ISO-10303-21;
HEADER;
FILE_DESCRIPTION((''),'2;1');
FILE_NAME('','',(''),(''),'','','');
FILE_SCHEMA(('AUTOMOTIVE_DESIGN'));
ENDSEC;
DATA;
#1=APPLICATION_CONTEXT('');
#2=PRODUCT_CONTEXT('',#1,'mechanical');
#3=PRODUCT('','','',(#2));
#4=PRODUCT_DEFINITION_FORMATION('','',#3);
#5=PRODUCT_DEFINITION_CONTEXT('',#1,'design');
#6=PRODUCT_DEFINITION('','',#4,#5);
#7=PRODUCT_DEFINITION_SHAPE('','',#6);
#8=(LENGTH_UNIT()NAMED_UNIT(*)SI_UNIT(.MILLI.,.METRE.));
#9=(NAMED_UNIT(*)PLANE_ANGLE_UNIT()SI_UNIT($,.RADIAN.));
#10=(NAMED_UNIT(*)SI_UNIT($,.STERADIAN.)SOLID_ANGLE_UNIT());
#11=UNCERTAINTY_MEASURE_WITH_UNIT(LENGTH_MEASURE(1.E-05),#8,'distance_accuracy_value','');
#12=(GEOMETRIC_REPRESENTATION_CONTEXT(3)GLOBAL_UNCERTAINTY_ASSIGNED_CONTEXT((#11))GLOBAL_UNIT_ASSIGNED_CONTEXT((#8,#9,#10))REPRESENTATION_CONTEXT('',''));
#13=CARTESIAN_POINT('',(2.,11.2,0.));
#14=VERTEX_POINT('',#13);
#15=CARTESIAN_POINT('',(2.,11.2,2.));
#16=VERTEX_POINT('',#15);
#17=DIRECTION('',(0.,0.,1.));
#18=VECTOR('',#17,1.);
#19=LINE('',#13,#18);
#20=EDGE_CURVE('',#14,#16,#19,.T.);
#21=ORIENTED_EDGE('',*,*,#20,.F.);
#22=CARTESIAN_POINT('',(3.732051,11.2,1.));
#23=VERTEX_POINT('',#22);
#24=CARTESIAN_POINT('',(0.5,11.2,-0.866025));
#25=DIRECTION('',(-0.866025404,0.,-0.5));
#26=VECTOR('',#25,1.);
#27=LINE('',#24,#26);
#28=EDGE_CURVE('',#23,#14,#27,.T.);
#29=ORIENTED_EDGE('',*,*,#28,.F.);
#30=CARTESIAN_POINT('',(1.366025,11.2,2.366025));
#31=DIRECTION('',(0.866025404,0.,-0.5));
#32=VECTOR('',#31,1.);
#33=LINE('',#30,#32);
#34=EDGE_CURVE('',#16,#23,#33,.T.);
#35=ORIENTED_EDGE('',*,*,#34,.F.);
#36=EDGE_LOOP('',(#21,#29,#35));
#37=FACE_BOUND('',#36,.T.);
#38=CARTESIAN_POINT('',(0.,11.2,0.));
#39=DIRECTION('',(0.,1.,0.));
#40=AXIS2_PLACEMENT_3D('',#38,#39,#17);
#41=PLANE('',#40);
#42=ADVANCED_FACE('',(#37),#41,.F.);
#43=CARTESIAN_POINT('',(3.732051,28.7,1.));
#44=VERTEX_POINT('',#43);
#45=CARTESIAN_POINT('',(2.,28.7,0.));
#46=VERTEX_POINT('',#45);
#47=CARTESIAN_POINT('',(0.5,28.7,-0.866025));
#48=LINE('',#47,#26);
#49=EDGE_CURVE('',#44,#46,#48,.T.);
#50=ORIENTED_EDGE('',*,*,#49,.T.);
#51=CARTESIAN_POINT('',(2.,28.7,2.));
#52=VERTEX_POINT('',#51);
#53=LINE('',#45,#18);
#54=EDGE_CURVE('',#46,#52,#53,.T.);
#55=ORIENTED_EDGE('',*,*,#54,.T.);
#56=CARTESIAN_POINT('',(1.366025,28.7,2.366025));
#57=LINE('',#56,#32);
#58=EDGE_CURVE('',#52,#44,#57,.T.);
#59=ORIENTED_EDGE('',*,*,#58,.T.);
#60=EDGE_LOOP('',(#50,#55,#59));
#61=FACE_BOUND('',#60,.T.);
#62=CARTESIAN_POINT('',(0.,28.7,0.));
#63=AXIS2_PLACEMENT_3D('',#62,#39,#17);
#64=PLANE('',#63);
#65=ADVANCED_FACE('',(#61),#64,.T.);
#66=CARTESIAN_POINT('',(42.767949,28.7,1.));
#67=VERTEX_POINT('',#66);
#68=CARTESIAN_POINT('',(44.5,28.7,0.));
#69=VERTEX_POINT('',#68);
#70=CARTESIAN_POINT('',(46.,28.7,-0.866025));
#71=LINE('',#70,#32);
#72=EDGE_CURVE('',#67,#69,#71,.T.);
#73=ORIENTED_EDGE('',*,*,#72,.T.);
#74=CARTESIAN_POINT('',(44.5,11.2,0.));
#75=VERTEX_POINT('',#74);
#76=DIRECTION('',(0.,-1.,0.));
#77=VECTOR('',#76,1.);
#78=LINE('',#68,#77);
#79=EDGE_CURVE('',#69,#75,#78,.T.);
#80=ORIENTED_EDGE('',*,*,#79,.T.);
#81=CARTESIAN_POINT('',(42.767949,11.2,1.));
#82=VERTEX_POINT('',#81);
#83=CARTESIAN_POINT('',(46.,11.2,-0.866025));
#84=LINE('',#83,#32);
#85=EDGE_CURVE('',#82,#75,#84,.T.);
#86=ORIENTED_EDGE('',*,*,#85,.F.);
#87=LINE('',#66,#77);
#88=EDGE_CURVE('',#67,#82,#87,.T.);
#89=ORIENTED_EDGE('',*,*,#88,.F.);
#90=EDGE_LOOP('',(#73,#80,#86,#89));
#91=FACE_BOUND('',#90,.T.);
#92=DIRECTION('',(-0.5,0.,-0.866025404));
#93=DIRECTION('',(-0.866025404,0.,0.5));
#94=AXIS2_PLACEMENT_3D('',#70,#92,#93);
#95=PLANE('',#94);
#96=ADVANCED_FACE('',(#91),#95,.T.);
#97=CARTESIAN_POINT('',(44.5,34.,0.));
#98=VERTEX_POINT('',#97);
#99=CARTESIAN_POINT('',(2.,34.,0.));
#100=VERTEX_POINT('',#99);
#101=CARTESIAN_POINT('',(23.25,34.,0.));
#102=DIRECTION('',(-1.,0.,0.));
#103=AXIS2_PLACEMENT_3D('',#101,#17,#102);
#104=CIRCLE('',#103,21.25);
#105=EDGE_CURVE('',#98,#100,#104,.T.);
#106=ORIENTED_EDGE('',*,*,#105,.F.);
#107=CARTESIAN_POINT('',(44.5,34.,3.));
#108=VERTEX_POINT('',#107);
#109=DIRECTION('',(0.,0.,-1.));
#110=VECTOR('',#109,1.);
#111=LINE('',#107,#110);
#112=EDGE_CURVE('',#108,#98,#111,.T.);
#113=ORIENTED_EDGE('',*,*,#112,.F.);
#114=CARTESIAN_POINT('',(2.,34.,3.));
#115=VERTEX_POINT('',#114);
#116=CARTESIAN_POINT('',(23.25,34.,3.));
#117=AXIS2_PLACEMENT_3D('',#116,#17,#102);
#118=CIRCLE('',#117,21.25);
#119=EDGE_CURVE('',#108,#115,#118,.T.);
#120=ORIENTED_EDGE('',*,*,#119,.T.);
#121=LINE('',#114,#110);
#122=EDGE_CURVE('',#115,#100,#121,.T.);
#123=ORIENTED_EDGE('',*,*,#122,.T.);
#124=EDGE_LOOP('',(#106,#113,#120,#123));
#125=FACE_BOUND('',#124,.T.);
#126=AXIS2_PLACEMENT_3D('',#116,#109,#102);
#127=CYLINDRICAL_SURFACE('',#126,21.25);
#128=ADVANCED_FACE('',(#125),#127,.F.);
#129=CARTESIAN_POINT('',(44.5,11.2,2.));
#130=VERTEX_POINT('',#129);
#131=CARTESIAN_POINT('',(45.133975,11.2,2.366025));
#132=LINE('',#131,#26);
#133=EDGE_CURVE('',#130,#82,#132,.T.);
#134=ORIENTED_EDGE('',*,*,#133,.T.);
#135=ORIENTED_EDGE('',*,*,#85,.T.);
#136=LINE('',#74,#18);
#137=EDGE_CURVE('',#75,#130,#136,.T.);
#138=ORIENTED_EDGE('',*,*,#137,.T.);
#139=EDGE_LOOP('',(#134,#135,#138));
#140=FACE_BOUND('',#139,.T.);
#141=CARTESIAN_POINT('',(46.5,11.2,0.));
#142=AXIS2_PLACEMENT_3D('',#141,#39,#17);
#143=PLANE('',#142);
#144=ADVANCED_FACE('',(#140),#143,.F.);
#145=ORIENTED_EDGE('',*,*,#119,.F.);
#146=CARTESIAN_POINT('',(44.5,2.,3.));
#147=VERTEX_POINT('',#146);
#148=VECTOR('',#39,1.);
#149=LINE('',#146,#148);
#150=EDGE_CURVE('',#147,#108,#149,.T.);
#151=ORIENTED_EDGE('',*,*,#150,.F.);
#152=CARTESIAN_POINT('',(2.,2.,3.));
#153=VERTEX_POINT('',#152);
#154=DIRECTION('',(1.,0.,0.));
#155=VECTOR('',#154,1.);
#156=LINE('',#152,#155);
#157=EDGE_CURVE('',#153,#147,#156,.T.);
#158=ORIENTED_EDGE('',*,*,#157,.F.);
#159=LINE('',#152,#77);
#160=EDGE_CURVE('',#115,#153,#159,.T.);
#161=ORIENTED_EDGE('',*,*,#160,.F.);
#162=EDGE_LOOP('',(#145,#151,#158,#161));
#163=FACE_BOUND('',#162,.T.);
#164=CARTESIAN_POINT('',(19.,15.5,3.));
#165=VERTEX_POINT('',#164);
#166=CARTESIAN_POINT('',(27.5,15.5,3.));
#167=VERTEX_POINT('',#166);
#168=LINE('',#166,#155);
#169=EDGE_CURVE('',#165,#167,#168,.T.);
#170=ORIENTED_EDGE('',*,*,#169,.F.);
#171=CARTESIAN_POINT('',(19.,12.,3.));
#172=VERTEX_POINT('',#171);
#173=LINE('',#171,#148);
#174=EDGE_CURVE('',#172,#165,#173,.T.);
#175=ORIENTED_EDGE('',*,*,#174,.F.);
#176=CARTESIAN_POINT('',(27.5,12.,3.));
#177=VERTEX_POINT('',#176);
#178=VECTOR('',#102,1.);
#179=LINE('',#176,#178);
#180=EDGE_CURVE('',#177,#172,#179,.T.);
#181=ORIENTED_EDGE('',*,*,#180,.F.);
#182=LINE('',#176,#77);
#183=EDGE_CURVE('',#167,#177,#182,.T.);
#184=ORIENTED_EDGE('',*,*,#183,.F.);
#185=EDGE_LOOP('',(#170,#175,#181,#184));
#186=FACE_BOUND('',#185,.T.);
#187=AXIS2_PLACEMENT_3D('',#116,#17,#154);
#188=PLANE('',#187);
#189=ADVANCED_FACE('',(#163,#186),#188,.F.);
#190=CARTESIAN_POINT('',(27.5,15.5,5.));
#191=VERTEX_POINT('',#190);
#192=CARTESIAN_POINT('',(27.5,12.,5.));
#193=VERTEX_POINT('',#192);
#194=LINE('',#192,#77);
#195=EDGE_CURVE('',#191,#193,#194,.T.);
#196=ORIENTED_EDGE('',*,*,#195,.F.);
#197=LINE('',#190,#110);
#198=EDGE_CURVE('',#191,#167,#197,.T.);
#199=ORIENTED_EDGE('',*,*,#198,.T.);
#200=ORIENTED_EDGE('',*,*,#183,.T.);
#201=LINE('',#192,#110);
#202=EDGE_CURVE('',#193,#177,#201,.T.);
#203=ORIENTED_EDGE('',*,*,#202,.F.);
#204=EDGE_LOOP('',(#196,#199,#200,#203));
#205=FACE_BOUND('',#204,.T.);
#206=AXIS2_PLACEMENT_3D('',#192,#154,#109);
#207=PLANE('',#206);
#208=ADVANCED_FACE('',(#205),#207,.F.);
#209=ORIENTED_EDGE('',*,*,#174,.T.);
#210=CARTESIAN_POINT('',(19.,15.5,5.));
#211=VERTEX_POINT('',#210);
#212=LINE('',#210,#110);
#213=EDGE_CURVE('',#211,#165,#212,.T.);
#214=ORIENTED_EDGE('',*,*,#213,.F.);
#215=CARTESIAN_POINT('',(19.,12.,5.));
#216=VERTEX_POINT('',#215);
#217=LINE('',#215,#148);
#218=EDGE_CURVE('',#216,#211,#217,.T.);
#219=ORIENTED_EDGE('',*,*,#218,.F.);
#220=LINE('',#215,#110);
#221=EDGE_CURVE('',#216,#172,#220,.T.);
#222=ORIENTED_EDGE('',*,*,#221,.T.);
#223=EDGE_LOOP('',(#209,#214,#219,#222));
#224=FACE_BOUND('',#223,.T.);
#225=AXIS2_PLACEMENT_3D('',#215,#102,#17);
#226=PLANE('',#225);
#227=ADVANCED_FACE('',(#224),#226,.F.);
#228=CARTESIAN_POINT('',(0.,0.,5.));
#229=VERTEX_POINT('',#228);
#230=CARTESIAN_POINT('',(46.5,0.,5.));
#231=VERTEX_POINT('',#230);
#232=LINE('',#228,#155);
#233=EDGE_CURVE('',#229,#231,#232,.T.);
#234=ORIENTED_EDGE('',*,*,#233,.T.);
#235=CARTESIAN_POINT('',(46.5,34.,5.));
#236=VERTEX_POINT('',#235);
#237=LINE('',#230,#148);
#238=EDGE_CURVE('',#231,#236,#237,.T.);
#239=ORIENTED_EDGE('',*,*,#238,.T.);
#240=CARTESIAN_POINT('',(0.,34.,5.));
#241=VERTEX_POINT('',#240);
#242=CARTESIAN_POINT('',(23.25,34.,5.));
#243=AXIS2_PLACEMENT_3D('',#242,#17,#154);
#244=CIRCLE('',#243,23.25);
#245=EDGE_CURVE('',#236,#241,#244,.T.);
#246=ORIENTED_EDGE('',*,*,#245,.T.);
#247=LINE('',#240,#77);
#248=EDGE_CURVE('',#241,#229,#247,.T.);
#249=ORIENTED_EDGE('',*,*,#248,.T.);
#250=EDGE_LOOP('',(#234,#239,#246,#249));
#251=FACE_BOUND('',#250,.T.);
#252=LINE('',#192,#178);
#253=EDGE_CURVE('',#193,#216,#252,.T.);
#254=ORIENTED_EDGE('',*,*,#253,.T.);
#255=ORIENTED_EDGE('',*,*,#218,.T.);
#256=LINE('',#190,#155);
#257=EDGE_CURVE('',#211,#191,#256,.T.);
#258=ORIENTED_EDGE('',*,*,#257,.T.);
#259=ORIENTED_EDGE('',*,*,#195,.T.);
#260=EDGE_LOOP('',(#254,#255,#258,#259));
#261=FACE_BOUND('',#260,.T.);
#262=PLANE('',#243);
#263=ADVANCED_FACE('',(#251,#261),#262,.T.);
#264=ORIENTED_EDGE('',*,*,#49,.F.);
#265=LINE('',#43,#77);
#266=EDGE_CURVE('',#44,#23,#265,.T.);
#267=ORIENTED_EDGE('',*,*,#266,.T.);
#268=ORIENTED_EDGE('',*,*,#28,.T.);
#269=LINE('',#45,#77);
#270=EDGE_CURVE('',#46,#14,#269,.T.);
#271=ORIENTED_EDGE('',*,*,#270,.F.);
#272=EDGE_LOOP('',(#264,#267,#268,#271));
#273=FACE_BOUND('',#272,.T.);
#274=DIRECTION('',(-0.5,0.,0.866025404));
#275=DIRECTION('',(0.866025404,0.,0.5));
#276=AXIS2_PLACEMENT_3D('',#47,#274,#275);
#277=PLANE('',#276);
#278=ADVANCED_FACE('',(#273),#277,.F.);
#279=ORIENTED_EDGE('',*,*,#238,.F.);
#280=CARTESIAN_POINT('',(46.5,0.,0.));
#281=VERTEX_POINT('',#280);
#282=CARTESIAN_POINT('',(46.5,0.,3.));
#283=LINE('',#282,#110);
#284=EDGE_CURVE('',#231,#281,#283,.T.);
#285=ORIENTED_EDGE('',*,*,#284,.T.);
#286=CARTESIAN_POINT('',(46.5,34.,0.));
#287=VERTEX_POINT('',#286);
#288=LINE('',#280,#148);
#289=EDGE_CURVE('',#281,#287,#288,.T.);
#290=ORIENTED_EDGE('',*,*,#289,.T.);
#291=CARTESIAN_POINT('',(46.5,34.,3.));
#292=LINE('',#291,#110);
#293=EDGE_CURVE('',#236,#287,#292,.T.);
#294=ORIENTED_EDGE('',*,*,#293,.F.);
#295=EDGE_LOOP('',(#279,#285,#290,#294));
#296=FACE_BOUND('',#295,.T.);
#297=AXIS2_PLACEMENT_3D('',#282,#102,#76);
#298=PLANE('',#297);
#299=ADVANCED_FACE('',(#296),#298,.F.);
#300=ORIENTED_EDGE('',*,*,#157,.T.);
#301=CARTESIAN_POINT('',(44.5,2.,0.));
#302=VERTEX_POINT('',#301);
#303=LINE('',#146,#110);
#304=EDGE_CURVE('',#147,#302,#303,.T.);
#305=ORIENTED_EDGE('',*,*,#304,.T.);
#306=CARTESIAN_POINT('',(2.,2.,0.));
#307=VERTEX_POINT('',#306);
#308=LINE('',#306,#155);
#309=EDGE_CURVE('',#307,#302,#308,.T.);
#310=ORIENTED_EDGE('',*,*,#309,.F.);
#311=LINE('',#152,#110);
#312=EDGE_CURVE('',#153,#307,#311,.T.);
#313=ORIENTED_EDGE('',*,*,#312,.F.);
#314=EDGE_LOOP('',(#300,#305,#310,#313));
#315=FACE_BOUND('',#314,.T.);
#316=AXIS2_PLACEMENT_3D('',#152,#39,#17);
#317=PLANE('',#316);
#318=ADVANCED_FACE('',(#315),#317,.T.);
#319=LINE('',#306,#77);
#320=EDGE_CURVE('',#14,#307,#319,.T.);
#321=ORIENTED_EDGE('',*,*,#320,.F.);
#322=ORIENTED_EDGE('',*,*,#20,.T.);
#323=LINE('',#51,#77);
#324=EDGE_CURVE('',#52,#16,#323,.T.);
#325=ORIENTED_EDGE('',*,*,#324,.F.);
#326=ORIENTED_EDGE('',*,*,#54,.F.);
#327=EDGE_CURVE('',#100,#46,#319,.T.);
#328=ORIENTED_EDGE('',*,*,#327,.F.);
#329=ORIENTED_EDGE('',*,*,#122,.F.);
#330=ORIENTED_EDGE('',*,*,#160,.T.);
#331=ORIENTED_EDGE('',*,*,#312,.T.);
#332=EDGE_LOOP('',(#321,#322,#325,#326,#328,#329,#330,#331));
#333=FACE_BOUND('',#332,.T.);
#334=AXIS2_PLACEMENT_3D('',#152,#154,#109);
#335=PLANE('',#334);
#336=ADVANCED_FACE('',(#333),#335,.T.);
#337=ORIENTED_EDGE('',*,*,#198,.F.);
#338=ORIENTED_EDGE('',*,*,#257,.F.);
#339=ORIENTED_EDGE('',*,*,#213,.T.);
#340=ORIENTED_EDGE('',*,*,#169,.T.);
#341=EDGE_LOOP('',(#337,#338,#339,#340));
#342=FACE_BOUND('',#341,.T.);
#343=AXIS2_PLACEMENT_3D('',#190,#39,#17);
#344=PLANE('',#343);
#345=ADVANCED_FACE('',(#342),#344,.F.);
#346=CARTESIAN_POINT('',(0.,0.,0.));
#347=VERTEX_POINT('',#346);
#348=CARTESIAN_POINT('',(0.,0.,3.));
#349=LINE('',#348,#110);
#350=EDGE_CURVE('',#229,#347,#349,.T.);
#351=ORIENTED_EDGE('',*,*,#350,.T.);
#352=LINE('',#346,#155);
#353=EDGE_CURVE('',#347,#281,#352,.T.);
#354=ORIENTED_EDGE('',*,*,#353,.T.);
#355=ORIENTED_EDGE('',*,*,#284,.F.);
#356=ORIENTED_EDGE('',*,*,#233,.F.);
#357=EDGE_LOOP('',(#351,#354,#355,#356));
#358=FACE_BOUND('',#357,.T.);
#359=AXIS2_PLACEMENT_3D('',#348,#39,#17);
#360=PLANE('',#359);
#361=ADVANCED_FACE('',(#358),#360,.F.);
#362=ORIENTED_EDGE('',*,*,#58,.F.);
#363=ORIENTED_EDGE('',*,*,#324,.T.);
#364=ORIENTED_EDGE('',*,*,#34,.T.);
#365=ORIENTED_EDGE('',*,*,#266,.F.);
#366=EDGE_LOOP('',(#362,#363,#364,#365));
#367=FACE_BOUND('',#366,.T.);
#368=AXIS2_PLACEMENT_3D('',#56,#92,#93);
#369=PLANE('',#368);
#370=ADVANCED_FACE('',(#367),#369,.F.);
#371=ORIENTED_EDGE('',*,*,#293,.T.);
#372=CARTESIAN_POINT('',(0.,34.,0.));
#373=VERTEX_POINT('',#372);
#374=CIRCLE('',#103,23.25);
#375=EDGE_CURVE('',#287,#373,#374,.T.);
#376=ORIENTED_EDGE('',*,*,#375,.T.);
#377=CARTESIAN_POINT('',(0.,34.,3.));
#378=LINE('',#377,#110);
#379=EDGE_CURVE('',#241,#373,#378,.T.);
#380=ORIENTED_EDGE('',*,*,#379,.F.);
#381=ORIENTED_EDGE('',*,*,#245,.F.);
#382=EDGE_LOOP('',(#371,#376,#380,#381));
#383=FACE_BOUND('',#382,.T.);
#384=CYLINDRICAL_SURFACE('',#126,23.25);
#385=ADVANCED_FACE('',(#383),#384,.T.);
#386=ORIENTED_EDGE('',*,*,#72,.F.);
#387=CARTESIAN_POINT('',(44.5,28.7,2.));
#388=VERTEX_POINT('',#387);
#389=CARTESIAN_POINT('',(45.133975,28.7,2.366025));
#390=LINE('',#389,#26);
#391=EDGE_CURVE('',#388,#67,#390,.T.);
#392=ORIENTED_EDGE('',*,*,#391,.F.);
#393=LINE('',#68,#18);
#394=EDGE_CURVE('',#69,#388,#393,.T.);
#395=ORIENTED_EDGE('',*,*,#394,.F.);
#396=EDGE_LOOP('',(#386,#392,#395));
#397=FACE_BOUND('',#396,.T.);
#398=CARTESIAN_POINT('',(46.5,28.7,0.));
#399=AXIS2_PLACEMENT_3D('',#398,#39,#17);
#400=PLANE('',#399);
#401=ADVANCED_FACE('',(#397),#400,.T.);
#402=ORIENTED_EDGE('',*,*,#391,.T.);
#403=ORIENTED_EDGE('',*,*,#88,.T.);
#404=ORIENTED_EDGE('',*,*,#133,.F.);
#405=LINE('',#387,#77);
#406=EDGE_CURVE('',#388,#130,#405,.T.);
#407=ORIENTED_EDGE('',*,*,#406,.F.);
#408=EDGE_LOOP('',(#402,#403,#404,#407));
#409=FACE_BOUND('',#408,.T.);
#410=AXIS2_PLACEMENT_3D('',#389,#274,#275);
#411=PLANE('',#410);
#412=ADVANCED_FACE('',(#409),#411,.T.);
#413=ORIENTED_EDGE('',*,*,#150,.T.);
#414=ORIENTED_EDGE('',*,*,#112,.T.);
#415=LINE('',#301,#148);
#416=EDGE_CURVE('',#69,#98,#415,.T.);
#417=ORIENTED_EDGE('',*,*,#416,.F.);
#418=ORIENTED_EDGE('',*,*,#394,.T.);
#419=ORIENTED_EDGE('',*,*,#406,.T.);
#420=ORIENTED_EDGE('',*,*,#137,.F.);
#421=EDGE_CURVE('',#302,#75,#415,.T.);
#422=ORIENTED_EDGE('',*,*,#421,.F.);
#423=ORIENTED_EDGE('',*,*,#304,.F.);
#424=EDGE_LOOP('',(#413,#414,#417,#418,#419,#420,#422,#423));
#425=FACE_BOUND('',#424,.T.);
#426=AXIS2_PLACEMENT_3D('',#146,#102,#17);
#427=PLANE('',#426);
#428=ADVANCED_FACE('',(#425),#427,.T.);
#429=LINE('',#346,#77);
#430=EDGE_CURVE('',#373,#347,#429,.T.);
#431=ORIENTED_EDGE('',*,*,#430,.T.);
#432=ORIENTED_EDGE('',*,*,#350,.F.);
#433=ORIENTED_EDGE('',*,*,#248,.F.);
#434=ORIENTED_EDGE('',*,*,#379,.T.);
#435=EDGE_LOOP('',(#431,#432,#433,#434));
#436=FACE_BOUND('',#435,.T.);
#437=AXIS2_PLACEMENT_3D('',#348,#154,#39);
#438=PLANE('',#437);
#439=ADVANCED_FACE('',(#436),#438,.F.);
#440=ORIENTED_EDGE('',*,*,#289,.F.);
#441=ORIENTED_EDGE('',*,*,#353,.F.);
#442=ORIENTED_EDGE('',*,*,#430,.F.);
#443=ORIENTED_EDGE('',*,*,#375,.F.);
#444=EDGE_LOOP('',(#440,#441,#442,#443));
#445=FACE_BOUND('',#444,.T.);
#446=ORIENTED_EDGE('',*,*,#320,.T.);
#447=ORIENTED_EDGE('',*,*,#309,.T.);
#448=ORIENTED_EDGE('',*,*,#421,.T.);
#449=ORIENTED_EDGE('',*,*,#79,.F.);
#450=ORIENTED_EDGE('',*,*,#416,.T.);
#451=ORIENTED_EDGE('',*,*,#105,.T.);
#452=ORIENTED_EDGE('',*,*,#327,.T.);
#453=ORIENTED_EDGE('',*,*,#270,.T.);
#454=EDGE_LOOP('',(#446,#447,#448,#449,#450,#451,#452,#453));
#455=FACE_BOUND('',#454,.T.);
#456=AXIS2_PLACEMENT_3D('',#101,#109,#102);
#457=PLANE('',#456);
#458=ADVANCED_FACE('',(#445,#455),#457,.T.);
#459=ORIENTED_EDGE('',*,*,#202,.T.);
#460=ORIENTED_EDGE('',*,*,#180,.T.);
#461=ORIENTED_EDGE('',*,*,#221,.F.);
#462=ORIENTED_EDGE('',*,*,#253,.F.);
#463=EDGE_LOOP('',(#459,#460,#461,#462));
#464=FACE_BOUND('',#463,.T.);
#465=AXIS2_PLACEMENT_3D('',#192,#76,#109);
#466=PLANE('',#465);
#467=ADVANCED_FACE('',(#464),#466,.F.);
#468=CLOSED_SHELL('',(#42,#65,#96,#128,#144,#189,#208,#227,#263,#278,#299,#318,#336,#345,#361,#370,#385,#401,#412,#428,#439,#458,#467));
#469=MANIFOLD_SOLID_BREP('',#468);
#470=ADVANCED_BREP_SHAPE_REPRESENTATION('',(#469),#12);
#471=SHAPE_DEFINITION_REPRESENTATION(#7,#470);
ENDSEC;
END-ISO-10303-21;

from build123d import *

# Parameters (mm, degrees)
BOSS_EXTRUDE1_DEPTH = 3
BOSS_EXTRUDE2_DEPTH = 2
BOSS_EXTRUDE3_DEPTH = 17.5
SKETCH4_W           = 8.5
SKETCH4_H           = 3.5
CUT_EXTRUDE1_DEPTH  = 74.816072098


with BuildPart() as part:
    # Sketch1 → Boss-Extrude1 (new body)
    with BuildSketch(Plane.XY):
        with BuildLine():
            Line((0, 0), (46.5, 0))
            Line((46.5, 0), (46.5, 34))
            ThreePointArc((46.5, 34), (23.25, 57.25), (0, 34))
            Line((0, 34), (0, 0))
        make_face()
        with BuildLine():
            Line((2, 2), (2, 34))
            ThreePointArc((2, 34), (23.25, 55.25), (44.5, 34))
            Line((44.5, 34), (44.5, 2))
            Line((44.5, 2), (2, 2))
        make_face(mode=Mode.SUBTRACT)
    extrude(amount=BOSS_EXTRUDE1_DEPTH)

    # Sketch2 → Boss-Extrude2 (add)
    with BuildSketch(Plane.XY.offset(3)):
        with BuildLine():
            Line((0, 34), (0, 0))
            Line((0, 0), (46.5, 0))
            Line((46.5, 0), (46.5, 34))
            ThreePointArc((46.5, 34), (23.25, 57.25), (0, 34))
        make_face()
    extrude(amount=BOSS_EXTRUDE2_DEPTH)

    # Sketch3 → Boss-Extrude3 (add)
    with BuildSketch(Plane(origin=(0, 11.2, 0), x_dir=(1, 0, 0), z_dir=(0, 1, 0))):
        Polygon((2, -2), (3.732050808, -1), (2, 0), align=None)
    boss_extrude3 = extrude(amount=BOSS_EXTRUDE3_DEPTH)

    # Mirror1: Boss-Extrude3 across plane
    add(boss_extrude3.mirror(Plane.ZY.offset(-23.25)))

    # Sketch4 → Cut-Extrude1 (cut, through all)
    with BuildSketch(Plane(origin=(0, 0, 3), x_dir=(-1, 0, 0), z_dir=(0, 0, -1))):
        with Locations((-23.25, 13.75)):
            Rectangle(SKETCH4_W, SKETCH4_H)
    extrude(amount=-CUT_EXTRUDE1_DEPTH, mode=Mode.SUBTRACT)


solid = part.part
